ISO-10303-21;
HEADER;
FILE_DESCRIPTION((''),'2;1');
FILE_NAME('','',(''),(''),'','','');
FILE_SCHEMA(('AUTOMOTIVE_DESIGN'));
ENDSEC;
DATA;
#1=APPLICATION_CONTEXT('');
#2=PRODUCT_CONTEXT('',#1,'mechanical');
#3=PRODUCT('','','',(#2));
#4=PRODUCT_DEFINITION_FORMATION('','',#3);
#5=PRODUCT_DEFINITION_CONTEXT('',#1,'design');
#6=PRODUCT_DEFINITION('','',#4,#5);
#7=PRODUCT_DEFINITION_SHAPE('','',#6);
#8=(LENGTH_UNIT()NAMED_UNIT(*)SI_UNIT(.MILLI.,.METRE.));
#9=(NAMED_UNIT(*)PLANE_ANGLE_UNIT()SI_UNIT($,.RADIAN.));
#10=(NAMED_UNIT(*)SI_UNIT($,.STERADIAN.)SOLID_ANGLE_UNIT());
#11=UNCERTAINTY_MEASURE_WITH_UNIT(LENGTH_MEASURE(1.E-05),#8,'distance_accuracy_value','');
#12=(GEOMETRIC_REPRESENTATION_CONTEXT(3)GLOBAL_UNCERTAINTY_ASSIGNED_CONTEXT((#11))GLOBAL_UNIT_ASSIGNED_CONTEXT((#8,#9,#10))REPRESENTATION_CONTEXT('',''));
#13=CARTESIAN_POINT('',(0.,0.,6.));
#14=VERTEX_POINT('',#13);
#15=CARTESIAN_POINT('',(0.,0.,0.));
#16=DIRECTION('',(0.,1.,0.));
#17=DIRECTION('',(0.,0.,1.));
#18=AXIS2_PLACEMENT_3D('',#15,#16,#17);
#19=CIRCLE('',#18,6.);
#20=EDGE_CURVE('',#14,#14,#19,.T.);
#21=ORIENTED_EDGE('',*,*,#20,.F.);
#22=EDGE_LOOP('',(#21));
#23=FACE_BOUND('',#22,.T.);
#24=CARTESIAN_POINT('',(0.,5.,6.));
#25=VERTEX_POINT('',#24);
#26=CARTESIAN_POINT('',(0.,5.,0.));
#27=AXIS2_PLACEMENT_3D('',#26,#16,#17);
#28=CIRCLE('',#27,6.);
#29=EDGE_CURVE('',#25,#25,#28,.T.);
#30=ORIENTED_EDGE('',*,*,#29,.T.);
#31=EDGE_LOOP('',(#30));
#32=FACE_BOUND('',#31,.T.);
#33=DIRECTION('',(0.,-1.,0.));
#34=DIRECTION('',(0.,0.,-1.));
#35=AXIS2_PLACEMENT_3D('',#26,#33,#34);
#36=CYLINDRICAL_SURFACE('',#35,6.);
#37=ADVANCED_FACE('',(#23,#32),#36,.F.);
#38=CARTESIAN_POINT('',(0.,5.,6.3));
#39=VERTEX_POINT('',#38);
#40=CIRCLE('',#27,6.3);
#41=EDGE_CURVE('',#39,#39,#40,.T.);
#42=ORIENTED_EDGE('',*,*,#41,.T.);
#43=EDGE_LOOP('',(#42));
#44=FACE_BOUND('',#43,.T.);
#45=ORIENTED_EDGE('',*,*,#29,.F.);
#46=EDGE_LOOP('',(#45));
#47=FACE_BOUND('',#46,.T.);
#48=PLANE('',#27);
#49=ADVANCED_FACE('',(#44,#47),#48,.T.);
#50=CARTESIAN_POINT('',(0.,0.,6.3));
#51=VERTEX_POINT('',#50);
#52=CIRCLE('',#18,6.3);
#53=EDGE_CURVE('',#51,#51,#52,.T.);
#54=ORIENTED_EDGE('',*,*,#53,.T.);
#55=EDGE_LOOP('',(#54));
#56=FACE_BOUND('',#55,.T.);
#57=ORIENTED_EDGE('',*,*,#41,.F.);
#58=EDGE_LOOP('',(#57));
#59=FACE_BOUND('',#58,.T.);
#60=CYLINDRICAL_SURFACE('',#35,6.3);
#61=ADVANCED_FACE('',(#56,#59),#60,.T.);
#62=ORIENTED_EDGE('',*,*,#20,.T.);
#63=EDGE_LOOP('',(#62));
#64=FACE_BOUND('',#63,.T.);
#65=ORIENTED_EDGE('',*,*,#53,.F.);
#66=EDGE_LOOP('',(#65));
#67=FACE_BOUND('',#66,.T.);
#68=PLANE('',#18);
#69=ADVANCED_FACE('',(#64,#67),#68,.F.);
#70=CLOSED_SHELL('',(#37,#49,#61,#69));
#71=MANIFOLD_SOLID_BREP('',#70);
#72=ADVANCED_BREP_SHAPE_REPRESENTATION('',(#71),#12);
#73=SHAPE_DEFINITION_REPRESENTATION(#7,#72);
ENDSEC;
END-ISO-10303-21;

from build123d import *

# Parameters (mm, degrees)
SKETCH_1_R      = 6.3
SKETCH_1_R_2    = 6
EXTRUDE_1_DEPTH = 5


with BuildPart() as part:
    # Эскиз1 → Бобышка-Вытянуть1 (new body)
    with BuildSketch(Plane(origin=(0, 0, 0), x_dir=(1, 0, 0), z_dir=(0, 1, 0))):
        with Locations(Location((0, 0, 0), (0, 0, 270))):
            Circle(SKETCH_1_R)
        with Locations(Location((0, 0, 0), (0, 0, 270))):
            Circle(SKETCH_1_R_2, mode=Mode.SUBTRACT)
    extrude(amount=EXTRUDE_1_DEPTH)


solid = part.part
